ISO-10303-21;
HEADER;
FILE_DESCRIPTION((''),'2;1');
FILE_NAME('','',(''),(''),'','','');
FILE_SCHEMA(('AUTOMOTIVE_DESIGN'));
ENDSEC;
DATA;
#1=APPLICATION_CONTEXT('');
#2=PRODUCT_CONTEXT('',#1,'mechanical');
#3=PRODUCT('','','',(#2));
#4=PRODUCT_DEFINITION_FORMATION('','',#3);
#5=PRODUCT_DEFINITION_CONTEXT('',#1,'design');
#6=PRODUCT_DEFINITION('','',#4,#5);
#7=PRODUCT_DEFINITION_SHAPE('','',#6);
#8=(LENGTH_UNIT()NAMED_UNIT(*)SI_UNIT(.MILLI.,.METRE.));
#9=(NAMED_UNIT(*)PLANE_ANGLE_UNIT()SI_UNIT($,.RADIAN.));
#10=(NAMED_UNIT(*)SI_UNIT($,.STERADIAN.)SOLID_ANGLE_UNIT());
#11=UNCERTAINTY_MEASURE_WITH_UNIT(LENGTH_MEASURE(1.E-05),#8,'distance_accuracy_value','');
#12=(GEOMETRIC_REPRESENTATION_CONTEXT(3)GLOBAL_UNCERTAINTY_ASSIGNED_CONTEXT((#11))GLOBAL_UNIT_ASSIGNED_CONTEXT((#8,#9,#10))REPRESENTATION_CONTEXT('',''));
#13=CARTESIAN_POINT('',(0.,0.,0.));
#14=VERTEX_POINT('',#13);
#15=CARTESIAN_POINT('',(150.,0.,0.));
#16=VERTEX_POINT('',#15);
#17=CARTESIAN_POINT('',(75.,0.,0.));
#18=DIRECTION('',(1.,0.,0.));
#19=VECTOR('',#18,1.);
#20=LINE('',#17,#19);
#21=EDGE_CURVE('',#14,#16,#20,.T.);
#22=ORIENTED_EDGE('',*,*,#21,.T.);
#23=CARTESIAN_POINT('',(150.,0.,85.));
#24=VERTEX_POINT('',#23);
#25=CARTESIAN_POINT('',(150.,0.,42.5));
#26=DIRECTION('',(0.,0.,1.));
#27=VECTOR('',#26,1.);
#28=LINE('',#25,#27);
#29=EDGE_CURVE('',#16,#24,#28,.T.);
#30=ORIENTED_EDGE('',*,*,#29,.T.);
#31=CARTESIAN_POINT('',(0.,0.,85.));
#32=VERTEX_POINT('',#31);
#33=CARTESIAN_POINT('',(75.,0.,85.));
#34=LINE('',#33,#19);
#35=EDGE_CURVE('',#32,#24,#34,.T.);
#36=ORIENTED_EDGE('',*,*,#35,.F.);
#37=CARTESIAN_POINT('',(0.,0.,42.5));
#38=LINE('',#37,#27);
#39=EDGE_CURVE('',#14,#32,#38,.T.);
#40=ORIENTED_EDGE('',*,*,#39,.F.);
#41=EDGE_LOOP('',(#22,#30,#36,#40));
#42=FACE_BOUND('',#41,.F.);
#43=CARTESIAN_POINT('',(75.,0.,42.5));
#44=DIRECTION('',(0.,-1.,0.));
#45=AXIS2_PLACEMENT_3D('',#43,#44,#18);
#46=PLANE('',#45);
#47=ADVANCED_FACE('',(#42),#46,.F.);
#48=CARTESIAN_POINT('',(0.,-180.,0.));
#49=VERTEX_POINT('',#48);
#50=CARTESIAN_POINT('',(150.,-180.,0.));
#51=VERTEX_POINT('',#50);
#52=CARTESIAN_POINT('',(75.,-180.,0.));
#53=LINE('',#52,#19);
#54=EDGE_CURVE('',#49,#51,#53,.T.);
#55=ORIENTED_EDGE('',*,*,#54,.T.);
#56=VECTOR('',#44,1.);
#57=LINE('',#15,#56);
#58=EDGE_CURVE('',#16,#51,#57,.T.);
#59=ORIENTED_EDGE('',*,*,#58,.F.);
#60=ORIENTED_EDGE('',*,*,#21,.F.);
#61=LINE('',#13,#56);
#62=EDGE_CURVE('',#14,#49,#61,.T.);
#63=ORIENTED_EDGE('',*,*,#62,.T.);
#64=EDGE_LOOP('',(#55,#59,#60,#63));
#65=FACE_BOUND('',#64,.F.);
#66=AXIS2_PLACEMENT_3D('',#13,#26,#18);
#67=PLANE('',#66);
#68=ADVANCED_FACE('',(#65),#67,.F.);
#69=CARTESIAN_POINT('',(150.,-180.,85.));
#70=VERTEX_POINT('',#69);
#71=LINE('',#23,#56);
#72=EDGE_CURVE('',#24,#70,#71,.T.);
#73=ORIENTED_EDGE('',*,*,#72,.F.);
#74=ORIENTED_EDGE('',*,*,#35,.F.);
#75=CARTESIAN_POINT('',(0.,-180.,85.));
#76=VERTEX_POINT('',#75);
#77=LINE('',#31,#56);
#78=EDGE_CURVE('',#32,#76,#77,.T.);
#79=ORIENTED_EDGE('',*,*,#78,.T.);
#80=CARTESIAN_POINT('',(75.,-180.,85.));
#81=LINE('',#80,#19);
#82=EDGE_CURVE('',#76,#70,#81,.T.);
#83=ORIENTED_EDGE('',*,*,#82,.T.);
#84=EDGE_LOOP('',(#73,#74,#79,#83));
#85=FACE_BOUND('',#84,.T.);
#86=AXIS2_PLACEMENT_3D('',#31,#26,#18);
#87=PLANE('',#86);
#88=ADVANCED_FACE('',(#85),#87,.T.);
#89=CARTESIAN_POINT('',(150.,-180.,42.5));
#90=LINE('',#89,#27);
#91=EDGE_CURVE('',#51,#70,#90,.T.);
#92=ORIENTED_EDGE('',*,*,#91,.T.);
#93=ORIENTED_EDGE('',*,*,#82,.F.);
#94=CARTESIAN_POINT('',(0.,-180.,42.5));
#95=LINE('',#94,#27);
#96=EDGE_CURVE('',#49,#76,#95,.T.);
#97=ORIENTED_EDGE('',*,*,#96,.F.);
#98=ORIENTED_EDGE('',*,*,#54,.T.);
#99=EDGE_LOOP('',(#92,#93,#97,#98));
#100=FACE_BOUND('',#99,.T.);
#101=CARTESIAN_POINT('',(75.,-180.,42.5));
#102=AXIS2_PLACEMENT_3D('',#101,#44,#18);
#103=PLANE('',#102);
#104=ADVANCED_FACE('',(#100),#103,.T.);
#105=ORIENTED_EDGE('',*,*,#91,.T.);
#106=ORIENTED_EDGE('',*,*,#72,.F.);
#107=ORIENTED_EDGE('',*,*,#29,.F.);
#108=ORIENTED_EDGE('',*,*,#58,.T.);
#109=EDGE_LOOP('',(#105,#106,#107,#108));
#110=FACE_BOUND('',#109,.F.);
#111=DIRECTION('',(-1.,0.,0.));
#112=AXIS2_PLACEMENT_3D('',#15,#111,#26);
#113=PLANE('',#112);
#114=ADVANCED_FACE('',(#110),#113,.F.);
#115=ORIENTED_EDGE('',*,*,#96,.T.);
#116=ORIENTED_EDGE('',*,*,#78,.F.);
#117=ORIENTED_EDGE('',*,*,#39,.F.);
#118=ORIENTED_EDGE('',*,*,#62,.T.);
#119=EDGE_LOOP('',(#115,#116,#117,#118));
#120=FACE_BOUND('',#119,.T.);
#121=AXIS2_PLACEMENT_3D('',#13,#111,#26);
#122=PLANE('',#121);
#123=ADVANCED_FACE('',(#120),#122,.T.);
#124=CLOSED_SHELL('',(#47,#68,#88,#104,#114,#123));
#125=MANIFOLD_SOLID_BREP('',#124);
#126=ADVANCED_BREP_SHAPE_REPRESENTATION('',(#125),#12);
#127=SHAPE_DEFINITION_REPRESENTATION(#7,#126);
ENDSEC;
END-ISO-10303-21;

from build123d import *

# Parameters (mm, degrees)
F0_R      = 30
F1_DEPTH  = 190
F3_DEPTH  = 25
F4_R      = 40
F5_DEPTH  = 35
F6_W      = 170
F6_H      = 170
F6_R      = 2
F7_DEPTH  = 2
F9_W      = 150
F9_H      = 85
F10_DEPTH = 180


with BuildPart() as f1:
    # F0 (on Front) → F1 (new body)
    with BuildSketch(Plane.XZ):
        Circle(F0_R)
    extrude(amount=F1_DEPTH)

    # F2 (on face) → F3 (join)
    with BuildSketch(Plane(origin=(0, 0, 0), x_dir=(-1, 0, 0), z_dir=(0, 1, 0))):
        with BuildLine():
            Line((50, 40), (0, 40))
            ThreePointArc((0, 40), (-40, 0), (0, -40))
            Line((0, -40), (50, -40))
            Line((50, -40), (50, 40))
        make_face()
    extrude(amount=-F3_DEPTH)

    # F4 (on face) → F5 (join)
    with BuildSketch(Plane.XZ.offset(25)):
        Circle(F4_R)
    extrude(amount=F5_DEPTH)


with BuildPart() as f7:
    # F6 (on Front) → F7 (new body)
    with BuildSketch(Plane.XZ):
        with Locations((85, 85)):
            Rectangle(F6_W, F6_H)
        with Locations((6.35, 4.9)):
            Circle(F6_R, mode=Mode.SUBTRACT)
        with Locations((163.83, 4.9)):
            Circle(F6_R, mode=Mode.SUBTRACT)
        with Locations((6.35, 159.84)):
            Circle(F6_R, mode=Mode.SUBTRACT)
        with Locations((163.83, 136.98)):
            Circle(F6_R, mode=Mode.SUBTRACT)
    extrude(amount=F7_DEPTH)


with BuildPart() as f10:
    # F9 (on Front) → F10 (new body)
    with BuildSketch(Plane.XZ):
        with Locations((75, 42.5)):
            Rectangle(F9_W, F9_H)
    extrude(amount=F10_DEPTH)


solid = f10.part
